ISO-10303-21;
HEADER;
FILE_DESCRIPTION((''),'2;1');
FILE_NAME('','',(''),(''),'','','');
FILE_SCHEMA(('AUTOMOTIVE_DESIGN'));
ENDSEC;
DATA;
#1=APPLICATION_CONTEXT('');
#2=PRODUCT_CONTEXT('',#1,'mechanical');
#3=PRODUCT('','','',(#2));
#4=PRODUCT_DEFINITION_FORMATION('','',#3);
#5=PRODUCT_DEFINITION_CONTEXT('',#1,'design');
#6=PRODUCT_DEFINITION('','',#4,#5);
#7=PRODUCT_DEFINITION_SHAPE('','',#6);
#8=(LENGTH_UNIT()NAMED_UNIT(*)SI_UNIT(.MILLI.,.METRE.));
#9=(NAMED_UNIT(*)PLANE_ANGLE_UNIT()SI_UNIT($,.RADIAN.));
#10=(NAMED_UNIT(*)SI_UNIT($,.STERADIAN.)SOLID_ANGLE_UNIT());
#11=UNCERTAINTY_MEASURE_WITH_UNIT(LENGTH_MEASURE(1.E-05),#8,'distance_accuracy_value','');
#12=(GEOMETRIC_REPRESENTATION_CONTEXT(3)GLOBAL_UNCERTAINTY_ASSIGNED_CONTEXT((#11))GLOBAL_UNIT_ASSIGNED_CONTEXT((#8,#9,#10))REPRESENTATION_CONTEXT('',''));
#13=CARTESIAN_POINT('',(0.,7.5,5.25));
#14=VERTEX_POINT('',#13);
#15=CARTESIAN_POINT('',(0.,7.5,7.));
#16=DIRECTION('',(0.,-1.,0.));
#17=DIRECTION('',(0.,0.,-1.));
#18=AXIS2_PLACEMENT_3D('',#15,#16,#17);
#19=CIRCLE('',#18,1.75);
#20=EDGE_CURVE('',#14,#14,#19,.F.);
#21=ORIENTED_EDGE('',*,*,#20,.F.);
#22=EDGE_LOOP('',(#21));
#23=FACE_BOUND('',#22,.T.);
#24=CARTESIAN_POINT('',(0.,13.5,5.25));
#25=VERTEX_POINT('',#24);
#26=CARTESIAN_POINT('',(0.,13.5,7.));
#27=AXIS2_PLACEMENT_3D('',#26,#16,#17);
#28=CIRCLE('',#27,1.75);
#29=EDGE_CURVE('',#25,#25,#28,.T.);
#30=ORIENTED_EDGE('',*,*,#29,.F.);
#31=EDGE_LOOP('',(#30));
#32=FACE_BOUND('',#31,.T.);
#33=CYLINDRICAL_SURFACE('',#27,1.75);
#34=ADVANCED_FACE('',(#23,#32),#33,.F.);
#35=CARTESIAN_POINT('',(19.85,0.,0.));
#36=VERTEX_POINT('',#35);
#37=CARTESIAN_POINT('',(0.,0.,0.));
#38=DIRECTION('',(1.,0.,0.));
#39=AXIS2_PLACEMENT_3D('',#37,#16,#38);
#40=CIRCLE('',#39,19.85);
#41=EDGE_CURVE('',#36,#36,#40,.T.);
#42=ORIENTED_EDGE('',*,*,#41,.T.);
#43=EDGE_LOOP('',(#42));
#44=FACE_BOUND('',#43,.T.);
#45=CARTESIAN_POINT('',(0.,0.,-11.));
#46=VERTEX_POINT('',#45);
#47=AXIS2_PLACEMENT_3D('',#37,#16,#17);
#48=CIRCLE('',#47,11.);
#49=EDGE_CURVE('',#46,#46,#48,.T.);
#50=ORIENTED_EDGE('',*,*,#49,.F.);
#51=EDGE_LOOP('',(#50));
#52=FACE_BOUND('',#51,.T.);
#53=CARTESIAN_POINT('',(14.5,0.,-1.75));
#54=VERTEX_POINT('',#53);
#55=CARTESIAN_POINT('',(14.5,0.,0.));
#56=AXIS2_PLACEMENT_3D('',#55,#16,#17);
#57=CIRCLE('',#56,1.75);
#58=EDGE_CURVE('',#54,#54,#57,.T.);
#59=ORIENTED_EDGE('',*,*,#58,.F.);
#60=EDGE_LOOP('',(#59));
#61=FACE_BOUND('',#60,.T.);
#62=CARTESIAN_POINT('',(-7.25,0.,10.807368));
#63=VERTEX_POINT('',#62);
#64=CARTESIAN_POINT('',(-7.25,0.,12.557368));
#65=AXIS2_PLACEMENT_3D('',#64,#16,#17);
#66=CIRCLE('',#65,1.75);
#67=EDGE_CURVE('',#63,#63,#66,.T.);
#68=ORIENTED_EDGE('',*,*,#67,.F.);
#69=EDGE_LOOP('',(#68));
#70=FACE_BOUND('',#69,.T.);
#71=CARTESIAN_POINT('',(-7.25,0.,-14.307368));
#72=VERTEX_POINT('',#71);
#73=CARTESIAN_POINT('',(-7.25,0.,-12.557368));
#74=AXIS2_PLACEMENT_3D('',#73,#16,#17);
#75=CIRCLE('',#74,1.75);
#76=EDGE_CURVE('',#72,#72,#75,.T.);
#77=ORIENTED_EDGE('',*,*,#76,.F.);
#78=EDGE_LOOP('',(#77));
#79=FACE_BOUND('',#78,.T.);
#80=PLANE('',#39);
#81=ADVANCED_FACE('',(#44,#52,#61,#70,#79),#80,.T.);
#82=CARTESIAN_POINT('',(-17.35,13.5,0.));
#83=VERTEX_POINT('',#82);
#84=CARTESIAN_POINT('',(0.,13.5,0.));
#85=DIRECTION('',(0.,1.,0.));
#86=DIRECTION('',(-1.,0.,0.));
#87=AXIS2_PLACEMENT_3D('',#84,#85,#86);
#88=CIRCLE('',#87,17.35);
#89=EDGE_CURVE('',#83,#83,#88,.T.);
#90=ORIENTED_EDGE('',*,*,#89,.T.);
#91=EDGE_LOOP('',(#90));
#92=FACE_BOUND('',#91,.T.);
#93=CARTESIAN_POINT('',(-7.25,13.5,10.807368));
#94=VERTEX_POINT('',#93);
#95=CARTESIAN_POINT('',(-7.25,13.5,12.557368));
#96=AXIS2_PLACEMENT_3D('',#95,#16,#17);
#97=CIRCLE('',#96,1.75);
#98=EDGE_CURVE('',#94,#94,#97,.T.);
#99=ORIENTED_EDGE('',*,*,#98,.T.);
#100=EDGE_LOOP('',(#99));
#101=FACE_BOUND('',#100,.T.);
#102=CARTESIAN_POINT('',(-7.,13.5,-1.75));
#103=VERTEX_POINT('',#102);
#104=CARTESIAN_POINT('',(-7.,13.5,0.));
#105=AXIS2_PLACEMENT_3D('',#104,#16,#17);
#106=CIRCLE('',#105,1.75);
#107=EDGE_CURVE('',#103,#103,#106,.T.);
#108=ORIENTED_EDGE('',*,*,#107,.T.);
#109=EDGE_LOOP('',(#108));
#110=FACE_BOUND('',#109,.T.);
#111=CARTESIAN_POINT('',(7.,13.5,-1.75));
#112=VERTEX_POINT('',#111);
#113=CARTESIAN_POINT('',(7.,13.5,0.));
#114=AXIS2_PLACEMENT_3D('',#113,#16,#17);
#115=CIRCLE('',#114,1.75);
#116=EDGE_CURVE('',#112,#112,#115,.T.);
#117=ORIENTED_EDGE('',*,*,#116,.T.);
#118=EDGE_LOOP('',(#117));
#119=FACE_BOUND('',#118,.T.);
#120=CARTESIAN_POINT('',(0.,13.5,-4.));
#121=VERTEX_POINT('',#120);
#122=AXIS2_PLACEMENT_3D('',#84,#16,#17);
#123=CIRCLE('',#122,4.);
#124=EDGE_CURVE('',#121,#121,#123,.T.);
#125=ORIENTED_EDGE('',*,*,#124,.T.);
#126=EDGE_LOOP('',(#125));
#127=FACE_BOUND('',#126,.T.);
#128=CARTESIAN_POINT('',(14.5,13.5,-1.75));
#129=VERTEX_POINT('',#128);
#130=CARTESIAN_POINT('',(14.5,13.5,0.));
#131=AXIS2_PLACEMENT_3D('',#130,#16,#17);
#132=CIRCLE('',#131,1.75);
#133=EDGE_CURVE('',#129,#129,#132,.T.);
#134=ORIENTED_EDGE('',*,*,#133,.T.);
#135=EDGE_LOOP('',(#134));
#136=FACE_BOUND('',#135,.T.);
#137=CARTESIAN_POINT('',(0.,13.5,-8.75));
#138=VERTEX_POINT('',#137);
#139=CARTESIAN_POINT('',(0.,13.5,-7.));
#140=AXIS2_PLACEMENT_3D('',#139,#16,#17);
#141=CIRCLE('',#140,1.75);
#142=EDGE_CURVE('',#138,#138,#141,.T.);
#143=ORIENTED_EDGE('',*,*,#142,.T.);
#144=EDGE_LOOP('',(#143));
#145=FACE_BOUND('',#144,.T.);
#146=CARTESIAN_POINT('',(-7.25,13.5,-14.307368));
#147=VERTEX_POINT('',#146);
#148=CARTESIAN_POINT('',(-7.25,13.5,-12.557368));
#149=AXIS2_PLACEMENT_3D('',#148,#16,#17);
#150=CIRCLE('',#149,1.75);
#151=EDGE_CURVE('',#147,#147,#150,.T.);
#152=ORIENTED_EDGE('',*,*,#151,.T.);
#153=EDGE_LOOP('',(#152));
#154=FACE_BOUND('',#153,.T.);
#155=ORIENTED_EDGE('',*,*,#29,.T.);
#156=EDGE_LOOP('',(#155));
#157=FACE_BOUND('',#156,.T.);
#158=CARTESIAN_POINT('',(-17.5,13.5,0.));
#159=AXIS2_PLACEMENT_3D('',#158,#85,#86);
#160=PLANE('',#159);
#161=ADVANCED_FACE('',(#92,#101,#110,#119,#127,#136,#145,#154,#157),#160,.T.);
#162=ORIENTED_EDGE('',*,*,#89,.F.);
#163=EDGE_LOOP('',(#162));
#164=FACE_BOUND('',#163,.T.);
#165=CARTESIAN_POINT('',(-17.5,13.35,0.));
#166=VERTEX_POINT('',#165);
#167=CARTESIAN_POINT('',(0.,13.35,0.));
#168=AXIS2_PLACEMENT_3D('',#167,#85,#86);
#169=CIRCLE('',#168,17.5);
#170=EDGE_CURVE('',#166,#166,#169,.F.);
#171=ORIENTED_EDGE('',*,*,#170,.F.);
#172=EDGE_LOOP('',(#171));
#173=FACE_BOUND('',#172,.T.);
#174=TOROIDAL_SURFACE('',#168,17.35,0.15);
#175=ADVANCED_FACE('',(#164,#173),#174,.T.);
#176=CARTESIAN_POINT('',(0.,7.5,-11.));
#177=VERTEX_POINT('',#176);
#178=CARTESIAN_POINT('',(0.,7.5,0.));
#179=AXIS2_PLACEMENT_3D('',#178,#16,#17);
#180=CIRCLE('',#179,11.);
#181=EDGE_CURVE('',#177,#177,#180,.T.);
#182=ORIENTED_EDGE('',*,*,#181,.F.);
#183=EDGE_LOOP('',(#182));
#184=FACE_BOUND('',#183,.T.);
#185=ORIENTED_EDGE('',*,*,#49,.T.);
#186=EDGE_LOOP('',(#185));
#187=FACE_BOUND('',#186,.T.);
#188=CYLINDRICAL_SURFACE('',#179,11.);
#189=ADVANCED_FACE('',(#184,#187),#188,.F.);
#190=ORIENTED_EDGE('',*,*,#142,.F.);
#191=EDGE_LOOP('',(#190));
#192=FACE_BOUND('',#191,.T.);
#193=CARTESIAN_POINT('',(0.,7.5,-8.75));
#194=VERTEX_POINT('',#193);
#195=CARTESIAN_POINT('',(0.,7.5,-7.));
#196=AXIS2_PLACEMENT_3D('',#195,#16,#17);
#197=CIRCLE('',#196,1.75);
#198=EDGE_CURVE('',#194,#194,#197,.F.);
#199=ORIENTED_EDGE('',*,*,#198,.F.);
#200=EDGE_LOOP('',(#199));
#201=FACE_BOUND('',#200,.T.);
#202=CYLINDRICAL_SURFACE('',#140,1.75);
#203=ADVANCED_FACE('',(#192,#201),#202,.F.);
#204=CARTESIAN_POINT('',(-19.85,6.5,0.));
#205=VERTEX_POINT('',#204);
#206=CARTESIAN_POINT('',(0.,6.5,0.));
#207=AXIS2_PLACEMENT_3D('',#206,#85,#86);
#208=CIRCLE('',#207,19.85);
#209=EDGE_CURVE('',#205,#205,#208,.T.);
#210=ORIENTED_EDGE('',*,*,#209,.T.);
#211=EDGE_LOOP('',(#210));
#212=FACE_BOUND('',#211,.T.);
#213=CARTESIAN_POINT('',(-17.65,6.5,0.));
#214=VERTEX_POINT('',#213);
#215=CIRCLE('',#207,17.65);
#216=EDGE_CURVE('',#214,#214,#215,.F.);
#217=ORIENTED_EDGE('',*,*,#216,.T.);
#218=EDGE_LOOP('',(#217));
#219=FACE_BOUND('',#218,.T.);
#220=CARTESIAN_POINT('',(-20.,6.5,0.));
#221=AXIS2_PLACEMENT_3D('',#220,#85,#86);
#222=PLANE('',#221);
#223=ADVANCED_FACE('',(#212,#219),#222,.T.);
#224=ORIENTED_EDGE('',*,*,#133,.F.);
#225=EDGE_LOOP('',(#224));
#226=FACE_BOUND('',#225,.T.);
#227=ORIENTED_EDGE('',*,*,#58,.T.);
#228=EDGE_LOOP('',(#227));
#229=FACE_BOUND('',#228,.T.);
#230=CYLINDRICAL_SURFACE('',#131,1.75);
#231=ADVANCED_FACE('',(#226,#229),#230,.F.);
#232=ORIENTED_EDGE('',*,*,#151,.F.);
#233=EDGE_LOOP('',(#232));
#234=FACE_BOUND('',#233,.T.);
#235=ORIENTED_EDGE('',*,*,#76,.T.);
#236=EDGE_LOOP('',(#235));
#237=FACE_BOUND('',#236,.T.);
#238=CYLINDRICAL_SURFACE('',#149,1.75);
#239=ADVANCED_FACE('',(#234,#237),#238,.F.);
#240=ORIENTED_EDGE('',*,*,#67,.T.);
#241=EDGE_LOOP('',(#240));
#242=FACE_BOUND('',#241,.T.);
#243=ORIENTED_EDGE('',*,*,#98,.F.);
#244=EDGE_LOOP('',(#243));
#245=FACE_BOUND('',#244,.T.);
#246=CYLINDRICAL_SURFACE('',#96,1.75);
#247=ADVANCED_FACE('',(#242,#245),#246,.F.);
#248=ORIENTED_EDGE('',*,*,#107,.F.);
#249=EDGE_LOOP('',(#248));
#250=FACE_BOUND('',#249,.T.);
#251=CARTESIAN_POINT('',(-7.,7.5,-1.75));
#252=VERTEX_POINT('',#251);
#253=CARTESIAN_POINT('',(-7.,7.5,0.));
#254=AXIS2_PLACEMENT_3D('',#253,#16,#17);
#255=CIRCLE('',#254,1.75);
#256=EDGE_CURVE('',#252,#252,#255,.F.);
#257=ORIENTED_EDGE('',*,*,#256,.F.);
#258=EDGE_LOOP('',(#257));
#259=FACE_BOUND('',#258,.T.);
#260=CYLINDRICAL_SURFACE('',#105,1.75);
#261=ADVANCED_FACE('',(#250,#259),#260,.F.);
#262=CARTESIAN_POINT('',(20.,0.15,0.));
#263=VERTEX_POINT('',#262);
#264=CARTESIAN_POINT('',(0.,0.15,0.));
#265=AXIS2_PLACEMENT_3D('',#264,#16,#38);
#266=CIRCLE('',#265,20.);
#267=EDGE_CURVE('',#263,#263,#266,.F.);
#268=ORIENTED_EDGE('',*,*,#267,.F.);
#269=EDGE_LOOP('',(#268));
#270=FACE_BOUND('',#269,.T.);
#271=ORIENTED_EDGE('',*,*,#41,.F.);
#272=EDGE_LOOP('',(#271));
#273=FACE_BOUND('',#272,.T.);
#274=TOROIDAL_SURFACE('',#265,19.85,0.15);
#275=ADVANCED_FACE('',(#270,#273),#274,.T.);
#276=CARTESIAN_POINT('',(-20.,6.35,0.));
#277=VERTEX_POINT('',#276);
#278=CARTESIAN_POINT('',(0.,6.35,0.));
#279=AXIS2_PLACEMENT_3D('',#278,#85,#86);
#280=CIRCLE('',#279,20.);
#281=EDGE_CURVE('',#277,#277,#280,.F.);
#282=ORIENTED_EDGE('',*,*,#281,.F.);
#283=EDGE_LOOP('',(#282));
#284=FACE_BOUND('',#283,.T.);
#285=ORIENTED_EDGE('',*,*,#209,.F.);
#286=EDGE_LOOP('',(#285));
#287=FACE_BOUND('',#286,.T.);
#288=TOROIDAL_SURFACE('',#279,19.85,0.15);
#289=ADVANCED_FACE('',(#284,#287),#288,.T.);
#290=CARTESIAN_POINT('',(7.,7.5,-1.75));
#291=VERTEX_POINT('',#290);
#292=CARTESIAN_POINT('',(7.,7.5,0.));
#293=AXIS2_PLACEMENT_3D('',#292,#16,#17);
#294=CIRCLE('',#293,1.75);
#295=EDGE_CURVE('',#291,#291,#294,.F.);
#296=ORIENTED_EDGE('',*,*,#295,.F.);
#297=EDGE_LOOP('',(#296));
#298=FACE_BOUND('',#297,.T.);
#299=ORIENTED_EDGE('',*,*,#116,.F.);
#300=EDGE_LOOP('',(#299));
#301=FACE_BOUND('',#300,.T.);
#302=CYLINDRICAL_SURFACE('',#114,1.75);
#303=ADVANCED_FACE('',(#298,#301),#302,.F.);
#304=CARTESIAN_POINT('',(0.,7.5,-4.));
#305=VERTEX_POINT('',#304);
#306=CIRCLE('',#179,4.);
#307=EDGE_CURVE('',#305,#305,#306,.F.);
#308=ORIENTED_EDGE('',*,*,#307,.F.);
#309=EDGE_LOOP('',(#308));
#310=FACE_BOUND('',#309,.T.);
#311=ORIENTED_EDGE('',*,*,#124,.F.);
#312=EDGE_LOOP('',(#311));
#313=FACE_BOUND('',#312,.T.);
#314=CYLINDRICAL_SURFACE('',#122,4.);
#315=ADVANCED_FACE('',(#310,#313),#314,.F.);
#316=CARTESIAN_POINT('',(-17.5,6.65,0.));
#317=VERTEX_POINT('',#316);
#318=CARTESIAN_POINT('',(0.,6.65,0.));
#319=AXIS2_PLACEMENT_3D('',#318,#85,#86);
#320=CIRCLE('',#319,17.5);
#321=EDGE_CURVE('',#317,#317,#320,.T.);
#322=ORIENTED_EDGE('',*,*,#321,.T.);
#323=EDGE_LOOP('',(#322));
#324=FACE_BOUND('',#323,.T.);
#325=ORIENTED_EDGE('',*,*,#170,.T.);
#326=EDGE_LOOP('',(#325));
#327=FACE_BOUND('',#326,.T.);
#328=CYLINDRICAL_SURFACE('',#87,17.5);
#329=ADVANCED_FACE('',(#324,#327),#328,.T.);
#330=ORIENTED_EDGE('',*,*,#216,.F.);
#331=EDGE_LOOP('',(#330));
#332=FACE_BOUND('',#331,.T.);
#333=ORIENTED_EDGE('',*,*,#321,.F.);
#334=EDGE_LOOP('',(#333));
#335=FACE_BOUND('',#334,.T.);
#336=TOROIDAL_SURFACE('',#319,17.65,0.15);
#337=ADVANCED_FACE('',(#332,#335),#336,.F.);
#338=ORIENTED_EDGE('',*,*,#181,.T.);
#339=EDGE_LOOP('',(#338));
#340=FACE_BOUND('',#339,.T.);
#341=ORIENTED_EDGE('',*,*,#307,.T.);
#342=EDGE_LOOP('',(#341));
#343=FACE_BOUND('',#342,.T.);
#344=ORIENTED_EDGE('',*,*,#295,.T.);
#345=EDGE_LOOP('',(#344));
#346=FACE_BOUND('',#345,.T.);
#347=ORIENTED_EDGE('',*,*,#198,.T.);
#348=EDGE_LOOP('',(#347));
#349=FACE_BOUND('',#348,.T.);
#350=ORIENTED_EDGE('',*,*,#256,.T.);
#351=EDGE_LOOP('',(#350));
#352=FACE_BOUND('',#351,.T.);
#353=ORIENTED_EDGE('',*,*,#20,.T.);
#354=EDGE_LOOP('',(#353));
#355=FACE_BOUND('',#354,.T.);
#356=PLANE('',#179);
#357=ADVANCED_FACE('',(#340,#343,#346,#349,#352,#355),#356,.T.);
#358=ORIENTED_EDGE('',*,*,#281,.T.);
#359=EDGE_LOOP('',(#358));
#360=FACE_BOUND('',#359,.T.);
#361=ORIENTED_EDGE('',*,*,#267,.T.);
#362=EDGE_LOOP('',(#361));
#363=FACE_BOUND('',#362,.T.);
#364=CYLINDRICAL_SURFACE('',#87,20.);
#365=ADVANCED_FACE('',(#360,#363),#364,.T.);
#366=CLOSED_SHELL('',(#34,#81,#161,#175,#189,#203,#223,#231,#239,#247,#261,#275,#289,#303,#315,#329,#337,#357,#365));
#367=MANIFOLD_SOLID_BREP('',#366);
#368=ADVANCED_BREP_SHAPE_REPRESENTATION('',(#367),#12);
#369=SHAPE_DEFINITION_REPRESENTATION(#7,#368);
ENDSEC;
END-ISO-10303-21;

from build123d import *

# Parameters (mm, degrees)
SKETCH2_R          = 1.75
SKETCH2_R_2        = 4
CUT_EXTRUDE4_DEPTH = 32.340867888
SKETCH7_R          = 11
CUT_EXTRUDE5_DEPTH = 7.5
FILLET1_R          = 0.15


with BuildPart() as part:
    # Sketch1 → Revolve1 (revolve)
    with BuildSketch(Plane.XY):
        Polygon((0, 0), (-20, 0), (-20, 6.5), (-17.5, 6.5), (-17.5, 13.5), (0, 13.5), align=None)
    revolve(axis=Axis((0, 13.5, 0), (0, -1, 0)))

    # Sketch2 → Cut-Extrude4 (cut, through all)
    with BuildSketch(Plane.XZ):
        with Locations(Location((-7.25, 12.557368355, 0), (0, 0, 270))):
            Circle(SKETCH2_R)
        with Locations(Location((-7.25, -12.557368355, 0), (0, 0, 270))):
            Circle(SKETCH2_R)
        with Locations(Location((14.5, 0, 0), (0, 0, 270))):
            Circle(SKETCH2_R)
        with Locations(Location((7, 0, 0), (0, 0, 270))):
            Circle(SKETCH2_R)
        with Locations(Location((0, -7, 0), (0, 0, 270))):
            Circle(SKETCH2_R)
        with Locations(Location((-7, 0, 0), (0, 0, 270))):
            Circle(SKETCH2_R)
        with Locations(Location((0, 7, 0), (0, 0, 270))):
            Circle(SKETCH2_R)
        with Locations(Location((0, 0, 0), (0, 0, 270))):
            Circle(SKETCH2_R_2)
    extrude(amount=-CUT_EXTRUDE4_DEPTH, mode=Mode.SUBTRACT)

    # Sketch7 → Cut-Extrude5 (cut)
    with BuildSketch(Plane.XZ):
        with Locations(Location((0, 0, 0), (0, 0, 270))):
            Circle(SKETCH7_R)
    extrude(amount=-CUT_EXTRUDE5_DEPTH, mode=Mode.SUBTRACT)

    # Fillet1
    fillet1_edges = [part.edges().sort_by_distance(p)[0] for p in [
        (17.5, 13.5, 0),
        (17.5, 6.5, 0),
        (20, 6.5, 0),
        (20, 0, 0),
    ]]
    fillet(fillet1_edges, radius=FILLET1_R)


solid = part.part
